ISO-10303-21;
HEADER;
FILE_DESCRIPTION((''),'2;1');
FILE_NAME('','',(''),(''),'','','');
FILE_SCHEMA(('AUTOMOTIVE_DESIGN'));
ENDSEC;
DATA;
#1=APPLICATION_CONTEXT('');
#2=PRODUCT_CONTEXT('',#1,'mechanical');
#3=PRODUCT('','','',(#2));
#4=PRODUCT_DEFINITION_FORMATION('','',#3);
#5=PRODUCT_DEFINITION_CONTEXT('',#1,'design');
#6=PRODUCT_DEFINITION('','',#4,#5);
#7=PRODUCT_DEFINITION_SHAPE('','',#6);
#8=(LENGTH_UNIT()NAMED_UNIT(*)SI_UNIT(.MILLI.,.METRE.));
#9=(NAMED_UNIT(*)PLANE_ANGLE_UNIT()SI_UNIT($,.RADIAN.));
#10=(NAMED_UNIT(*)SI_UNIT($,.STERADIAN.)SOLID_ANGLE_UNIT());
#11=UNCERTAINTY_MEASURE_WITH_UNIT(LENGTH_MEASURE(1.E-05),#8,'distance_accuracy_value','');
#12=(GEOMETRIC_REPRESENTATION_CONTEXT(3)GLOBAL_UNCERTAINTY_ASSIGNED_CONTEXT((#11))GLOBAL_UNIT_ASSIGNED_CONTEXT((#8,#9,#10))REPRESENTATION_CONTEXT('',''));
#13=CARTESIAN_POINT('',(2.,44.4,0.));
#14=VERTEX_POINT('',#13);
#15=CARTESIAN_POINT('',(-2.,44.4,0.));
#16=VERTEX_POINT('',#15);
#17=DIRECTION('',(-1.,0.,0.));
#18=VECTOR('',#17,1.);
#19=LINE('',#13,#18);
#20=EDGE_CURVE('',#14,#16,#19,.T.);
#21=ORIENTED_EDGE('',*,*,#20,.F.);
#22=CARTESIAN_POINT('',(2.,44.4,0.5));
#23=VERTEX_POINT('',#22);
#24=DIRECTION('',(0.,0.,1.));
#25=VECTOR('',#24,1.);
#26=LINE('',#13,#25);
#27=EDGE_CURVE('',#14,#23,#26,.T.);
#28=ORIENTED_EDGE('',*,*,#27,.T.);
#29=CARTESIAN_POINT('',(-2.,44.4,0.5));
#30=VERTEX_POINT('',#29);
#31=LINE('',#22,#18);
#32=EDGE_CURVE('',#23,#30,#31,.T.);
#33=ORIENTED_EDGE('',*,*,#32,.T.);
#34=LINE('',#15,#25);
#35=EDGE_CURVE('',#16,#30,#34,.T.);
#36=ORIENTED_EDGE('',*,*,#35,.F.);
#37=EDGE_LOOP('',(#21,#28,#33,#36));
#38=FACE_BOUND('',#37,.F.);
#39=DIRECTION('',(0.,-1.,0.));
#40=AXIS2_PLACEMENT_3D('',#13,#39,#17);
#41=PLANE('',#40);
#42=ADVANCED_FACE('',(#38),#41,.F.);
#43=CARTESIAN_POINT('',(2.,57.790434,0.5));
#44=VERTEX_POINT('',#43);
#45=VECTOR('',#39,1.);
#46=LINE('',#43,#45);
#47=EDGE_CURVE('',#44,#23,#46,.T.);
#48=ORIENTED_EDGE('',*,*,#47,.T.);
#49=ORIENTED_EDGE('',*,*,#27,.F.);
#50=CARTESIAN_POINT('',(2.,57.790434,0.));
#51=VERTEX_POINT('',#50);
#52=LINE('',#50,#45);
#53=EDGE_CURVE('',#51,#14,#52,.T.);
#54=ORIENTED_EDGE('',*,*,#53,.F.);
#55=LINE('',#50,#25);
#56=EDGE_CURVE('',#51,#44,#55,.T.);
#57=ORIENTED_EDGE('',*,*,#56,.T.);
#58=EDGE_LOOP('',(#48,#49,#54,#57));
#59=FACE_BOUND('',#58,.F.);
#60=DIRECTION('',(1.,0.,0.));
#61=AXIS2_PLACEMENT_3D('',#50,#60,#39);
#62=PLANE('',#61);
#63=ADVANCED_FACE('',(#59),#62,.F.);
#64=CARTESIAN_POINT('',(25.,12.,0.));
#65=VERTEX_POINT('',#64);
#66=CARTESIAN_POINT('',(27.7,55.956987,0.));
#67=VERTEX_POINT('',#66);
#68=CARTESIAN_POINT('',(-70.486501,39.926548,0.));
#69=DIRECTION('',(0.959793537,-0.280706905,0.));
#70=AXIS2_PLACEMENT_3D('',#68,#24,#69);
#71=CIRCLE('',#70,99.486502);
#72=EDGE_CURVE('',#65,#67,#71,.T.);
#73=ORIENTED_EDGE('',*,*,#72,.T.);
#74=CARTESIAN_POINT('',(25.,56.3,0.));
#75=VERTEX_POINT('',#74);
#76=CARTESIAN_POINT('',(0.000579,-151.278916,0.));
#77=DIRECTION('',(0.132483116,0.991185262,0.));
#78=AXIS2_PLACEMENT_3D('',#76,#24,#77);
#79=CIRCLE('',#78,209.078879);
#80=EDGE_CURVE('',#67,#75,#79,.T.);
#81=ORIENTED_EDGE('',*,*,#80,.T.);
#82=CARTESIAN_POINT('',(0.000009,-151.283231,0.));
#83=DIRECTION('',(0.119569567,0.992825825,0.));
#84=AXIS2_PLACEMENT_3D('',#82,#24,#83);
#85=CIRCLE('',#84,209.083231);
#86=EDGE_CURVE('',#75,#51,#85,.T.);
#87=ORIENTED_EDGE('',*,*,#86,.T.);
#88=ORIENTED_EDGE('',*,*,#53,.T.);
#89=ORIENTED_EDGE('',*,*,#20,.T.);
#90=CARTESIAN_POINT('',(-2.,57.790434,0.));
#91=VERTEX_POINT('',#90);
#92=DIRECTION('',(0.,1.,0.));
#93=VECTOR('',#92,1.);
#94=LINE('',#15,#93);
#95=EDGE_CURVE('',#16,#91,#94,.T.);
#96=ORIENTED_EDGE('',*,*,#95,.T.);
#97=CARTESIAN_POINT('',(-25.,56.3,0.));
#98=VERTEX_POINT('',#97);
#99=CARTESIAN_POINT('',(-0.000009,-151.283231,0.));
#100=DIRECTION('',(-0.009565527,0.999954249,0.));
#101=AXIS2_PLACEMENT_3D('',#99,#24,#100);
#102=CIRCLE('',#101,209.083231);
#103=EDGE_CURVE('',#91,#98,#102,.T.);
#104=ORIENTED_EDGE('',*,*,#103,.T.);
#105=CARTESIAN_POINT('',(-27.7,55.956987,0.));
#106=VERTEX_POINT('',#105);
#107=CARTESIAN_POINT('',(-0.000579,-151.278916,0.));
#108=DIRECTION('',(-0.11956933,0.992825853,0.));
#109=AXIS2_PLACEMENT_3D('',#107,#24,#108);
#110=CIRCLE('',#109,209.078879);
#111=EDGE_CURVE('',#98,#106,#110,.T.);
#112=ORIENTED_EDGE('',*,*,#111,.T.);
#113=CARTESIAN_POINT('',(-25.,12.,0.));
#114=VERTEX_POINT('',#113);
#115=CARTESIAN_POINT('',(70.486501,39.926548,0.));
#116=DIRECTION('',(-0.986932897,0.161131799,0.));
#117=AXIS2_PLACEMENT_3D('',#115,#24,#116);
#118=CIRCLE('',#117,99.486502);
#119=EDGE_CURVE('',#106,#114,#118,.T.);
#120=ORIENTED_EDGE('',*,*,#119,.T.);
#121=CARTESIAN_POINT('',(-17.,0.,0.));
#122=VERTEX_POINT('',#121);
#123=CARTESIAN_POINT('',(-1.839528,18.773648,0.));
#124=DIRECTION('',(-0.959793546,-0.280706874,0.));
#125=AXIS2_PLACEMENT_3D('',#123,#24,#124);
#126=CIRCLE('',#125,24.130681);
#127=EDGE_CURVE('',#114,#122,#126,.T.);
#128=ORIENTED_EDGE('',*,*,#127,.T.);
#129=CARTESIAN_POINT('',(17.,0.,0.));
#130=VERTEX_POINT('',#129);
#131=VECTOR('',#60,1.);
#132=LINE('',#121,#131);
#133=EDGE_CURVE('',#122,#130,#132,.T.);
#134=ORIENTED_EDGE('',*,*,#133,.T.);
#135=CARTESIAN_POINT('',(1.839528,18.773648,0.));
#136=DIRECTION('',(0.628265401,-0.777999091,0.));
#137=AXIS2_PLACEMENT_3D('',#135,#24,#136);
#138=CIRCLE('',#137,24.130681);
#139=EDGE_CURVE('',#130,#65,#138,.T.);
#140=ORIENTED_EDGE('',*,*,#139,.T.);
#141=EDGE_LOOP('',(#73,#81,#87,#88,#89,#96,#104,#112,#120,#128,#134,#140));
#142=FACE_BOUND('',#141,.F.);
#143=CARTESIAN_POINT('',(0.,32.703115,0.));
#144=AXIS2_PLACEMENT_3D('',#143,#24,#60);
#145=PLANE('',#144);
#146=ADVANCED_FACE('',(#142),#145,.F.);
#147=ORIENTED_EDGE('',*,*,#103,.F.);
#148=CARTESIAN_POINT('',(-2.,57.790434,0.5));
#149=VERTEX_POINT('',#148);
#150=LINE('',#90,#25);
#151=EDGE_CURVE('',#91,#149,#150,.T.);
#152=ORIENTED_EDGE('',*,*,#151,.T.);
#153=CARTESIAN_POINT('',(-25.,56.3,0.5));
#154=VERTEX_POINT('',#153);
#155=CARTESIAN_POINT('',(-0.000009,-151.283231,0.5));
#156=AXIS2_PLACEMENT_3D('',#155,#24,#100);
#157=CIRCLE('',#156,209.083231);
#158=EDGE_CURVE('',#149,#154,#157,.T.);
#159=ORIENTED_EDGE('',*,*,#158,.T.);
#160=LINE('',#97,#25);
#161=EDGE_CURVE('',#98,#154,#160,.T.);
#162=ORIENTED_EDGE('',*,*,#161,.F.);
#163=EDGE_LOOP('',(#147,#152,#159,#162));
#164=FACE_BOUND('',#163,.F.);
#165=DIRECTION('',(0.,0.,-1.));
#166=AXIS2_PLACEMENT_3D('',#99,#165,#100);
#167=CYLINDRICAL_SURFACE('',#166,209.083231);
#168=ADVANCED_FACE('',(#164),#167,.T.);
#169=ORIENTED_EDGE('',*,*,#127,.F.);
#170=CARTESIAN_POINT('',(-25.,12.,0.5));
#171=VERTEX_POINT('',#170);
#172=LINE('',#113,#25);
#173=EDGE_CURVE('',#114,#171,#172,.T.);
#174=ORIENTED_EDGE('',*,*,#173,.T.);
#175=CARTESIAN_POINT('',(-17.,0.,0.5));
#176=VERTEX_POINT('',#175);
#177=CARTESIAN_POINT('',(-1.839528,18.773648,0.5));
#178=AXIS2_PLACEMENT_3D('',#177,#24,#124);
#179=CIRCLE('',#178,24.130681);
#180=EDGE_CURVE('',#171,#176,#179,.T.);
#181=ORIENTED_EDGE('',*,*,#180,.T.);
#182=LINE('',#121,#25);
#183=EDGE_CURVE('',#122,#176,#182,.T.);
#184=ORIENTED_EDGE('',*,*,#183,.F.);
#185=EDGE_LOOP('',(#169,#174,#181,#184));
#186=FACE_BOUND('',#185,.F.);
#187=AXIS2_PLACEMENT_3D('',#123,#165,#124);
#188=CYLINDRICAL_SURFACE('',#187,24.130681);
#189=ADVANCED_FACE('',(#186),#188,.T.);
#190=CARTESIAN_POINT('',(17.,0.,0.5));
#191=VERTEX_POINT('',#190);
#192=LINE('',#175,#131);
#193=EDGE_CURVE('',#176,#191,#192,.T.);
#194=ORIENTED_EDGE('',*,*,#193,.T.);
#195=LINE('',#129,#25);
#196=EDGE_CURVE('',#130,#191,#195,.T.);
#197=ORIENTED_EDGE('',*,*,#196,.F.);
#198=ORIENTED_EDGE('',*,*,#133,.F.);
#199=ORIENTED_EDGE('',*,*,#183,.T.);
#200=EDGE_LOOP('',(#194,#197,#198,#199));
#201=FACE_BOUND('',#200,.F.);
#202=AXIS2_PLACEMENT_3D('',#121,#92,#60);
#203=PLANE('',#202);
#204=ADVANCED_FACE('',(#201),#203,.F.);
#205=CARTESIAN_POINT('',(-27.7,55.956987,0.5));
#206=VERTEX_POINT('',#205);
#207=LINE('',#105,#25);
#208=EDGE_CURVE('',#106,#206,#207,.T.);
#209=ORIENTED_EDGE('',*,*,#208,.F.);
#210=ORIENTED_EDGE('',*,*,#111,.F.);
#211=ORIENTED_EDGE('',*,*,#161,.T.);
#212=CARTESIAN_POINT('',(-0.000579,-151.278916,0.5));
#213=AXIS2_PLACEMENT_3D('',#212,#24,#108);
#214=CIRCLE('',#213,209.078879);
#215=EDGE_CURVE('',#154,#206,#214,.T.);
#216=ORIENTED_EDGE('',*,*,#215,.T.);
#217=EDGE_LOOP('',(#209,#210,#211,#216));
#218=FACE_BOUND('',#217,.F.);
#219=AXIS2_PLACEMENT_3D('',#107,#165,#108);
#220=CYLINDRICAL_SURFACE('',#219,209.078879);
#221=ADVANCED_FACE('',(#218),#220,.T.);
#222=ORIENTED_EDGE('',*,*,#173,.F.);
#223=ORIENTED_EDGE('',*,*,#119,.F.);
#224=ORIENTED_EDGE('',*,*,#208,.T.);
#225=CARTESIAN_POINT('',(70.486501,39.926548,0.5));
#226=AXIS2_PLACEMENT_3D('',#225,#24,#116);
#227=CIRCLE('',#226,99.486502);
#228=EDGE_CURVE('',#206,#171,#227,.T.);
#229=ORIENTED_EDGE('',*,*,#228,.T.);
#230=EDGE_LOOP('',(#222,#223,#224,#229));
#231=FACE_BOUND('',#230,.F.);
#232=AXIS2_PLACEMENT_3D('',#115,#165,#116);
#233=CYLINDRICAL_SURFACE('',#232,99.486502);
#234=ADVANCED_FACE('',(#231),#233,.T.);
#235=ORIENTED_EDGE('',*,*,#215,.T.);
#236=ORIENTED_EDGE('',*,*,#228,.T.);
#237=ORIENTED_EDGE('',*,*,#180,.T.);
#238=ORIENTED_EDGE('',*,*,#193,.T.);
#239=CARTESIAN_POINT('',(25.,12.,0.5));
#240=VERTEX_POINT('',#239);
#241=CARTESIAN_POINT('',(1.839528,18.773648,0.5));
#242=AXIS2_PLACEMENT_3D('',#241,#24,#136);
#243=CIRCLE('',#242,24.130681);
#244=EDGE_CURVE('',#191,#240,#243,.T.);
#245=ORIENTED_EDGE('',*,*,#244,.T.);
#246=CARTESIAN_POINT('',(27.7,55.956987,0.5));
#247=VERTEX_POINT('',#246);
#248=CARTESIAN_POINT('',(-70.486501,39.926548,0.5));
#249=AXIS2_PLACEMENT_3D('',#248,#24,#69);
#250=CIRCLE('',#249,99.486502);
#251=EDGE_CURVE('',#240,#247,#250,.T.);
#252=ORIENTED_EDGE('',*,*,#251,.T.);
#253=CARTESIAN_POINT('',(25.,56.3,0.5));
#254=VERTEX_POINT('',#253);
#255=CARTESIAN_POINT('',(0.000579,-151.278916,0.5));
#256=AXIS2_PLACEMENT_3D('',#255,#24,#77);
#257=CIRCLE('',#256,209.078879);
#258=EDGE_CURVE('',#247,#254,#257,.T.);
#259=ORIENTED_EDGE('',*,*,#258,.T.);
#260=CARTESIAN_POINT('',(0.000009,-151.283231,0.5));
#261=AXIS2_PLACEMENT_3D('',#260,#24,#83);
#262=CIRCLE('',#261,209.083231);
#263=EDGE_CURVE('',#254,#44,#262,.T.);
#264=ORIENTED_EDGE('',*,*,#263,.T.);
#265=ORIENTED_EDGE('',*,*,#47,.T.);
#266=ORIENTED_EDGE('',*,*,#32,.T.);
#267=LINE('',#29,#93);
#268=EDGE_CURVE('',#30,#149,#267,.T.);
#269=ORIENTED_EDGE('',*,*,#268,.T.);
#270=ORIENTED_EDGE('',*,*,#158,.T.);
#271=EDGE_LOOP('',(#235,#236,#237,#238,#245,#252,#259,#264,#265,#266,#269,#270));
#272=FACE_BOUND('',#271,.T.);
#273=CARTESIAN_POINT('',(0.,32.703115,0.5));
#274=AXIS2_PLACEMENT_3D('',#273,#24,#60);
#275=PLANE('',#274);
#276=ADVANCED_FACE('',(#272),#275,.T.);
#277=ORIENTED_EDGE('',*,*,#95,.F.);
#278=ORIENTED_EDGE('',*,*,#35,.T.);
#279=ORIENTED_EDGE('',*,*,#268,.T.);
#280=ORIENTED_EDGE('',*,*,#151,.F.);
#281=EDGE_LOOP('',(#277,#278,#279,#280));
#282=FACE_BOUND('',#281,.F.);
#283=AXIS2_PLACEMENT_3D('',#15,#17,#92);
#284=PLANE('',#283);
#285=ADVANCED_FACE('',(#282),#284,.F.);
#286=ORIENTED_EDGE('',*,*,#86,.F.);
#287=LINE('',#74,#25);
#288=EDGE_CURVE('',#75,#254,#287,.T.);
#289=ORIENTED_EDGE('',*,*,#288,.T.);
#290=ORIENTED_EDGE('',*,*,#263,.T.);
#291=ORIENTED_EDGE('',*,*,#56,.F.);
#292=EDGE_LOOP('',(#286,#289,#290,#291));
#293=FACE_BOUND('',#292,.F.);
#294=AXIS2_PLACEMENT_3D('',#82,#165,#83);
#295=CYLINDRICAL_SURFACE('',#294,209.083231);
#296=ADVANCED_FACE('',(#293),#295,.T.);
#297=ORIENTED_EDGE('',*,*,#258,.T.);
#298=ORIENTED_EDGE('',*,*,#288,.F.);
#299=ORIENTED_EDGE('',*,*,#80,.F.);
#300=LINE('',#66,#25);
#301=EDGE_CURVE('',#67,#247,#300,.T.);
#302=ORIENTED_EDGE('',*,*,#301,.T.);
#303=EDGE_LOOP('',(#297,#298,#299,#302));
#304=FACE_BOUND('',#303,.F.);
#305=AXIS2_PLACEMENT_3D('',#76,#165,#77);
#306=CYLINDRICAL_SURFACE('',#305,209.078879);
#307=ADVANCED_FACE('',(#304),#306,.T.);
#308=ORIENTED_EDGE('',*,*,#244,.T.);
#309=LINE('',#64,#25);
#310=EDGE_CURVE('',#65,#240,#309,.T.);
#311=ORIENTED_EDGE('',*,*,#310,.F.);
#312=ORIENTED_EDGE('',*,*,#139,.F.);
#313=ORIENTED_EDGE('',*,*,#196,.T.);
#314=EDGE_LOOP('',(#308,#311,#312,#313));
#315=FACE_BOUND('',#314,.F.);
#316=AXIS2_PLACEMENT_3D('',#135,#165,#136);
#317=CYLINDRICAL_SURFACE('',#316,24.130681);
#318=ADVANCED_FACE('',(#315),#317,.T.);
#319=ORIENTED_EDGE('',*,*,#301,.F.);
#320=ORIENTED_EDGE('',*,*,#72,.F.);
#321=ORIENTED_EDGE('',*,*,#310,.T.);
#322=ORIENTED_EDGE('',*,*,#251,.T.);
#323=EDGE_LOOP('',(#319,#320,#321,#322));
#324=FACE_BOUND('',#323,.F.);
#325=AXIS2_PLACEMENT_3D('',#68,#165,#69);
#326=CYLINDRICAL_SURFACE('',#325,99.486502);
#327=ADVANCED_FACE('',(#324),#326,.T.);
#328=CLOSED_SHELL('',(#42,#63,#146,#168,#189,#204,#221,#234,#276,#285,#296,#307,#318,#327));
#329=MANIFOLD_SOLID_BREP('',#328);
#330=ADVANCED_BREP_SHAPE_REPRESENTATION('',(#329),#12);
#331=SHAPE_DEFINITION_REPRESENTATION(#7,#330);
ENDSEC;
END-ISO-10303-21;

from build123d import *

# Parameters (mm, degrees)
F1_DEPTH = 0.5


with BuildPart() as f1:
    # F0 (on Top) → F1 (new body)
    with BuildSketch(Plane.XY):
        with BuildLine():
            ThreePointArc((-2, 57.790434), (-13.520553, 57.362383), (-25, 56.3))
            ThreePointArc((-25, 56.3), (-26.350558, 56.132887), (-27.7, 55.956987))
            ThreePointArc((-27.7, 55.956987), (-28.812855, 33.827216), (-25, 12))
            ThreePointArc((-25, 12), (-21.917468, 5.388354), (-17, 0))
            Line((-17, 0), (17, 0))
            ThreePointArc((17, 0), (21.917468, 5.388354), (25, 12))
            ThreePointArc((25, 12), (28.812855, 33.827216), (27.7, 55.956987))
            ThreePointArc((27.7, 55.956987), (26.350558, 56.132887), (25, 56.3))
            ThreePointArc((25, 56.3), (13.520553, 57.362383), (2, 57.790434))
            Line((2, 57.790434), (2, 44.4))
            Line((2, 44.4), (-2, 44.4))
            Line((-2, 44.4), (-2, 57.790434))
        make_face()
    extrude(amount=F1_DEPTH)


solid = f1.part
